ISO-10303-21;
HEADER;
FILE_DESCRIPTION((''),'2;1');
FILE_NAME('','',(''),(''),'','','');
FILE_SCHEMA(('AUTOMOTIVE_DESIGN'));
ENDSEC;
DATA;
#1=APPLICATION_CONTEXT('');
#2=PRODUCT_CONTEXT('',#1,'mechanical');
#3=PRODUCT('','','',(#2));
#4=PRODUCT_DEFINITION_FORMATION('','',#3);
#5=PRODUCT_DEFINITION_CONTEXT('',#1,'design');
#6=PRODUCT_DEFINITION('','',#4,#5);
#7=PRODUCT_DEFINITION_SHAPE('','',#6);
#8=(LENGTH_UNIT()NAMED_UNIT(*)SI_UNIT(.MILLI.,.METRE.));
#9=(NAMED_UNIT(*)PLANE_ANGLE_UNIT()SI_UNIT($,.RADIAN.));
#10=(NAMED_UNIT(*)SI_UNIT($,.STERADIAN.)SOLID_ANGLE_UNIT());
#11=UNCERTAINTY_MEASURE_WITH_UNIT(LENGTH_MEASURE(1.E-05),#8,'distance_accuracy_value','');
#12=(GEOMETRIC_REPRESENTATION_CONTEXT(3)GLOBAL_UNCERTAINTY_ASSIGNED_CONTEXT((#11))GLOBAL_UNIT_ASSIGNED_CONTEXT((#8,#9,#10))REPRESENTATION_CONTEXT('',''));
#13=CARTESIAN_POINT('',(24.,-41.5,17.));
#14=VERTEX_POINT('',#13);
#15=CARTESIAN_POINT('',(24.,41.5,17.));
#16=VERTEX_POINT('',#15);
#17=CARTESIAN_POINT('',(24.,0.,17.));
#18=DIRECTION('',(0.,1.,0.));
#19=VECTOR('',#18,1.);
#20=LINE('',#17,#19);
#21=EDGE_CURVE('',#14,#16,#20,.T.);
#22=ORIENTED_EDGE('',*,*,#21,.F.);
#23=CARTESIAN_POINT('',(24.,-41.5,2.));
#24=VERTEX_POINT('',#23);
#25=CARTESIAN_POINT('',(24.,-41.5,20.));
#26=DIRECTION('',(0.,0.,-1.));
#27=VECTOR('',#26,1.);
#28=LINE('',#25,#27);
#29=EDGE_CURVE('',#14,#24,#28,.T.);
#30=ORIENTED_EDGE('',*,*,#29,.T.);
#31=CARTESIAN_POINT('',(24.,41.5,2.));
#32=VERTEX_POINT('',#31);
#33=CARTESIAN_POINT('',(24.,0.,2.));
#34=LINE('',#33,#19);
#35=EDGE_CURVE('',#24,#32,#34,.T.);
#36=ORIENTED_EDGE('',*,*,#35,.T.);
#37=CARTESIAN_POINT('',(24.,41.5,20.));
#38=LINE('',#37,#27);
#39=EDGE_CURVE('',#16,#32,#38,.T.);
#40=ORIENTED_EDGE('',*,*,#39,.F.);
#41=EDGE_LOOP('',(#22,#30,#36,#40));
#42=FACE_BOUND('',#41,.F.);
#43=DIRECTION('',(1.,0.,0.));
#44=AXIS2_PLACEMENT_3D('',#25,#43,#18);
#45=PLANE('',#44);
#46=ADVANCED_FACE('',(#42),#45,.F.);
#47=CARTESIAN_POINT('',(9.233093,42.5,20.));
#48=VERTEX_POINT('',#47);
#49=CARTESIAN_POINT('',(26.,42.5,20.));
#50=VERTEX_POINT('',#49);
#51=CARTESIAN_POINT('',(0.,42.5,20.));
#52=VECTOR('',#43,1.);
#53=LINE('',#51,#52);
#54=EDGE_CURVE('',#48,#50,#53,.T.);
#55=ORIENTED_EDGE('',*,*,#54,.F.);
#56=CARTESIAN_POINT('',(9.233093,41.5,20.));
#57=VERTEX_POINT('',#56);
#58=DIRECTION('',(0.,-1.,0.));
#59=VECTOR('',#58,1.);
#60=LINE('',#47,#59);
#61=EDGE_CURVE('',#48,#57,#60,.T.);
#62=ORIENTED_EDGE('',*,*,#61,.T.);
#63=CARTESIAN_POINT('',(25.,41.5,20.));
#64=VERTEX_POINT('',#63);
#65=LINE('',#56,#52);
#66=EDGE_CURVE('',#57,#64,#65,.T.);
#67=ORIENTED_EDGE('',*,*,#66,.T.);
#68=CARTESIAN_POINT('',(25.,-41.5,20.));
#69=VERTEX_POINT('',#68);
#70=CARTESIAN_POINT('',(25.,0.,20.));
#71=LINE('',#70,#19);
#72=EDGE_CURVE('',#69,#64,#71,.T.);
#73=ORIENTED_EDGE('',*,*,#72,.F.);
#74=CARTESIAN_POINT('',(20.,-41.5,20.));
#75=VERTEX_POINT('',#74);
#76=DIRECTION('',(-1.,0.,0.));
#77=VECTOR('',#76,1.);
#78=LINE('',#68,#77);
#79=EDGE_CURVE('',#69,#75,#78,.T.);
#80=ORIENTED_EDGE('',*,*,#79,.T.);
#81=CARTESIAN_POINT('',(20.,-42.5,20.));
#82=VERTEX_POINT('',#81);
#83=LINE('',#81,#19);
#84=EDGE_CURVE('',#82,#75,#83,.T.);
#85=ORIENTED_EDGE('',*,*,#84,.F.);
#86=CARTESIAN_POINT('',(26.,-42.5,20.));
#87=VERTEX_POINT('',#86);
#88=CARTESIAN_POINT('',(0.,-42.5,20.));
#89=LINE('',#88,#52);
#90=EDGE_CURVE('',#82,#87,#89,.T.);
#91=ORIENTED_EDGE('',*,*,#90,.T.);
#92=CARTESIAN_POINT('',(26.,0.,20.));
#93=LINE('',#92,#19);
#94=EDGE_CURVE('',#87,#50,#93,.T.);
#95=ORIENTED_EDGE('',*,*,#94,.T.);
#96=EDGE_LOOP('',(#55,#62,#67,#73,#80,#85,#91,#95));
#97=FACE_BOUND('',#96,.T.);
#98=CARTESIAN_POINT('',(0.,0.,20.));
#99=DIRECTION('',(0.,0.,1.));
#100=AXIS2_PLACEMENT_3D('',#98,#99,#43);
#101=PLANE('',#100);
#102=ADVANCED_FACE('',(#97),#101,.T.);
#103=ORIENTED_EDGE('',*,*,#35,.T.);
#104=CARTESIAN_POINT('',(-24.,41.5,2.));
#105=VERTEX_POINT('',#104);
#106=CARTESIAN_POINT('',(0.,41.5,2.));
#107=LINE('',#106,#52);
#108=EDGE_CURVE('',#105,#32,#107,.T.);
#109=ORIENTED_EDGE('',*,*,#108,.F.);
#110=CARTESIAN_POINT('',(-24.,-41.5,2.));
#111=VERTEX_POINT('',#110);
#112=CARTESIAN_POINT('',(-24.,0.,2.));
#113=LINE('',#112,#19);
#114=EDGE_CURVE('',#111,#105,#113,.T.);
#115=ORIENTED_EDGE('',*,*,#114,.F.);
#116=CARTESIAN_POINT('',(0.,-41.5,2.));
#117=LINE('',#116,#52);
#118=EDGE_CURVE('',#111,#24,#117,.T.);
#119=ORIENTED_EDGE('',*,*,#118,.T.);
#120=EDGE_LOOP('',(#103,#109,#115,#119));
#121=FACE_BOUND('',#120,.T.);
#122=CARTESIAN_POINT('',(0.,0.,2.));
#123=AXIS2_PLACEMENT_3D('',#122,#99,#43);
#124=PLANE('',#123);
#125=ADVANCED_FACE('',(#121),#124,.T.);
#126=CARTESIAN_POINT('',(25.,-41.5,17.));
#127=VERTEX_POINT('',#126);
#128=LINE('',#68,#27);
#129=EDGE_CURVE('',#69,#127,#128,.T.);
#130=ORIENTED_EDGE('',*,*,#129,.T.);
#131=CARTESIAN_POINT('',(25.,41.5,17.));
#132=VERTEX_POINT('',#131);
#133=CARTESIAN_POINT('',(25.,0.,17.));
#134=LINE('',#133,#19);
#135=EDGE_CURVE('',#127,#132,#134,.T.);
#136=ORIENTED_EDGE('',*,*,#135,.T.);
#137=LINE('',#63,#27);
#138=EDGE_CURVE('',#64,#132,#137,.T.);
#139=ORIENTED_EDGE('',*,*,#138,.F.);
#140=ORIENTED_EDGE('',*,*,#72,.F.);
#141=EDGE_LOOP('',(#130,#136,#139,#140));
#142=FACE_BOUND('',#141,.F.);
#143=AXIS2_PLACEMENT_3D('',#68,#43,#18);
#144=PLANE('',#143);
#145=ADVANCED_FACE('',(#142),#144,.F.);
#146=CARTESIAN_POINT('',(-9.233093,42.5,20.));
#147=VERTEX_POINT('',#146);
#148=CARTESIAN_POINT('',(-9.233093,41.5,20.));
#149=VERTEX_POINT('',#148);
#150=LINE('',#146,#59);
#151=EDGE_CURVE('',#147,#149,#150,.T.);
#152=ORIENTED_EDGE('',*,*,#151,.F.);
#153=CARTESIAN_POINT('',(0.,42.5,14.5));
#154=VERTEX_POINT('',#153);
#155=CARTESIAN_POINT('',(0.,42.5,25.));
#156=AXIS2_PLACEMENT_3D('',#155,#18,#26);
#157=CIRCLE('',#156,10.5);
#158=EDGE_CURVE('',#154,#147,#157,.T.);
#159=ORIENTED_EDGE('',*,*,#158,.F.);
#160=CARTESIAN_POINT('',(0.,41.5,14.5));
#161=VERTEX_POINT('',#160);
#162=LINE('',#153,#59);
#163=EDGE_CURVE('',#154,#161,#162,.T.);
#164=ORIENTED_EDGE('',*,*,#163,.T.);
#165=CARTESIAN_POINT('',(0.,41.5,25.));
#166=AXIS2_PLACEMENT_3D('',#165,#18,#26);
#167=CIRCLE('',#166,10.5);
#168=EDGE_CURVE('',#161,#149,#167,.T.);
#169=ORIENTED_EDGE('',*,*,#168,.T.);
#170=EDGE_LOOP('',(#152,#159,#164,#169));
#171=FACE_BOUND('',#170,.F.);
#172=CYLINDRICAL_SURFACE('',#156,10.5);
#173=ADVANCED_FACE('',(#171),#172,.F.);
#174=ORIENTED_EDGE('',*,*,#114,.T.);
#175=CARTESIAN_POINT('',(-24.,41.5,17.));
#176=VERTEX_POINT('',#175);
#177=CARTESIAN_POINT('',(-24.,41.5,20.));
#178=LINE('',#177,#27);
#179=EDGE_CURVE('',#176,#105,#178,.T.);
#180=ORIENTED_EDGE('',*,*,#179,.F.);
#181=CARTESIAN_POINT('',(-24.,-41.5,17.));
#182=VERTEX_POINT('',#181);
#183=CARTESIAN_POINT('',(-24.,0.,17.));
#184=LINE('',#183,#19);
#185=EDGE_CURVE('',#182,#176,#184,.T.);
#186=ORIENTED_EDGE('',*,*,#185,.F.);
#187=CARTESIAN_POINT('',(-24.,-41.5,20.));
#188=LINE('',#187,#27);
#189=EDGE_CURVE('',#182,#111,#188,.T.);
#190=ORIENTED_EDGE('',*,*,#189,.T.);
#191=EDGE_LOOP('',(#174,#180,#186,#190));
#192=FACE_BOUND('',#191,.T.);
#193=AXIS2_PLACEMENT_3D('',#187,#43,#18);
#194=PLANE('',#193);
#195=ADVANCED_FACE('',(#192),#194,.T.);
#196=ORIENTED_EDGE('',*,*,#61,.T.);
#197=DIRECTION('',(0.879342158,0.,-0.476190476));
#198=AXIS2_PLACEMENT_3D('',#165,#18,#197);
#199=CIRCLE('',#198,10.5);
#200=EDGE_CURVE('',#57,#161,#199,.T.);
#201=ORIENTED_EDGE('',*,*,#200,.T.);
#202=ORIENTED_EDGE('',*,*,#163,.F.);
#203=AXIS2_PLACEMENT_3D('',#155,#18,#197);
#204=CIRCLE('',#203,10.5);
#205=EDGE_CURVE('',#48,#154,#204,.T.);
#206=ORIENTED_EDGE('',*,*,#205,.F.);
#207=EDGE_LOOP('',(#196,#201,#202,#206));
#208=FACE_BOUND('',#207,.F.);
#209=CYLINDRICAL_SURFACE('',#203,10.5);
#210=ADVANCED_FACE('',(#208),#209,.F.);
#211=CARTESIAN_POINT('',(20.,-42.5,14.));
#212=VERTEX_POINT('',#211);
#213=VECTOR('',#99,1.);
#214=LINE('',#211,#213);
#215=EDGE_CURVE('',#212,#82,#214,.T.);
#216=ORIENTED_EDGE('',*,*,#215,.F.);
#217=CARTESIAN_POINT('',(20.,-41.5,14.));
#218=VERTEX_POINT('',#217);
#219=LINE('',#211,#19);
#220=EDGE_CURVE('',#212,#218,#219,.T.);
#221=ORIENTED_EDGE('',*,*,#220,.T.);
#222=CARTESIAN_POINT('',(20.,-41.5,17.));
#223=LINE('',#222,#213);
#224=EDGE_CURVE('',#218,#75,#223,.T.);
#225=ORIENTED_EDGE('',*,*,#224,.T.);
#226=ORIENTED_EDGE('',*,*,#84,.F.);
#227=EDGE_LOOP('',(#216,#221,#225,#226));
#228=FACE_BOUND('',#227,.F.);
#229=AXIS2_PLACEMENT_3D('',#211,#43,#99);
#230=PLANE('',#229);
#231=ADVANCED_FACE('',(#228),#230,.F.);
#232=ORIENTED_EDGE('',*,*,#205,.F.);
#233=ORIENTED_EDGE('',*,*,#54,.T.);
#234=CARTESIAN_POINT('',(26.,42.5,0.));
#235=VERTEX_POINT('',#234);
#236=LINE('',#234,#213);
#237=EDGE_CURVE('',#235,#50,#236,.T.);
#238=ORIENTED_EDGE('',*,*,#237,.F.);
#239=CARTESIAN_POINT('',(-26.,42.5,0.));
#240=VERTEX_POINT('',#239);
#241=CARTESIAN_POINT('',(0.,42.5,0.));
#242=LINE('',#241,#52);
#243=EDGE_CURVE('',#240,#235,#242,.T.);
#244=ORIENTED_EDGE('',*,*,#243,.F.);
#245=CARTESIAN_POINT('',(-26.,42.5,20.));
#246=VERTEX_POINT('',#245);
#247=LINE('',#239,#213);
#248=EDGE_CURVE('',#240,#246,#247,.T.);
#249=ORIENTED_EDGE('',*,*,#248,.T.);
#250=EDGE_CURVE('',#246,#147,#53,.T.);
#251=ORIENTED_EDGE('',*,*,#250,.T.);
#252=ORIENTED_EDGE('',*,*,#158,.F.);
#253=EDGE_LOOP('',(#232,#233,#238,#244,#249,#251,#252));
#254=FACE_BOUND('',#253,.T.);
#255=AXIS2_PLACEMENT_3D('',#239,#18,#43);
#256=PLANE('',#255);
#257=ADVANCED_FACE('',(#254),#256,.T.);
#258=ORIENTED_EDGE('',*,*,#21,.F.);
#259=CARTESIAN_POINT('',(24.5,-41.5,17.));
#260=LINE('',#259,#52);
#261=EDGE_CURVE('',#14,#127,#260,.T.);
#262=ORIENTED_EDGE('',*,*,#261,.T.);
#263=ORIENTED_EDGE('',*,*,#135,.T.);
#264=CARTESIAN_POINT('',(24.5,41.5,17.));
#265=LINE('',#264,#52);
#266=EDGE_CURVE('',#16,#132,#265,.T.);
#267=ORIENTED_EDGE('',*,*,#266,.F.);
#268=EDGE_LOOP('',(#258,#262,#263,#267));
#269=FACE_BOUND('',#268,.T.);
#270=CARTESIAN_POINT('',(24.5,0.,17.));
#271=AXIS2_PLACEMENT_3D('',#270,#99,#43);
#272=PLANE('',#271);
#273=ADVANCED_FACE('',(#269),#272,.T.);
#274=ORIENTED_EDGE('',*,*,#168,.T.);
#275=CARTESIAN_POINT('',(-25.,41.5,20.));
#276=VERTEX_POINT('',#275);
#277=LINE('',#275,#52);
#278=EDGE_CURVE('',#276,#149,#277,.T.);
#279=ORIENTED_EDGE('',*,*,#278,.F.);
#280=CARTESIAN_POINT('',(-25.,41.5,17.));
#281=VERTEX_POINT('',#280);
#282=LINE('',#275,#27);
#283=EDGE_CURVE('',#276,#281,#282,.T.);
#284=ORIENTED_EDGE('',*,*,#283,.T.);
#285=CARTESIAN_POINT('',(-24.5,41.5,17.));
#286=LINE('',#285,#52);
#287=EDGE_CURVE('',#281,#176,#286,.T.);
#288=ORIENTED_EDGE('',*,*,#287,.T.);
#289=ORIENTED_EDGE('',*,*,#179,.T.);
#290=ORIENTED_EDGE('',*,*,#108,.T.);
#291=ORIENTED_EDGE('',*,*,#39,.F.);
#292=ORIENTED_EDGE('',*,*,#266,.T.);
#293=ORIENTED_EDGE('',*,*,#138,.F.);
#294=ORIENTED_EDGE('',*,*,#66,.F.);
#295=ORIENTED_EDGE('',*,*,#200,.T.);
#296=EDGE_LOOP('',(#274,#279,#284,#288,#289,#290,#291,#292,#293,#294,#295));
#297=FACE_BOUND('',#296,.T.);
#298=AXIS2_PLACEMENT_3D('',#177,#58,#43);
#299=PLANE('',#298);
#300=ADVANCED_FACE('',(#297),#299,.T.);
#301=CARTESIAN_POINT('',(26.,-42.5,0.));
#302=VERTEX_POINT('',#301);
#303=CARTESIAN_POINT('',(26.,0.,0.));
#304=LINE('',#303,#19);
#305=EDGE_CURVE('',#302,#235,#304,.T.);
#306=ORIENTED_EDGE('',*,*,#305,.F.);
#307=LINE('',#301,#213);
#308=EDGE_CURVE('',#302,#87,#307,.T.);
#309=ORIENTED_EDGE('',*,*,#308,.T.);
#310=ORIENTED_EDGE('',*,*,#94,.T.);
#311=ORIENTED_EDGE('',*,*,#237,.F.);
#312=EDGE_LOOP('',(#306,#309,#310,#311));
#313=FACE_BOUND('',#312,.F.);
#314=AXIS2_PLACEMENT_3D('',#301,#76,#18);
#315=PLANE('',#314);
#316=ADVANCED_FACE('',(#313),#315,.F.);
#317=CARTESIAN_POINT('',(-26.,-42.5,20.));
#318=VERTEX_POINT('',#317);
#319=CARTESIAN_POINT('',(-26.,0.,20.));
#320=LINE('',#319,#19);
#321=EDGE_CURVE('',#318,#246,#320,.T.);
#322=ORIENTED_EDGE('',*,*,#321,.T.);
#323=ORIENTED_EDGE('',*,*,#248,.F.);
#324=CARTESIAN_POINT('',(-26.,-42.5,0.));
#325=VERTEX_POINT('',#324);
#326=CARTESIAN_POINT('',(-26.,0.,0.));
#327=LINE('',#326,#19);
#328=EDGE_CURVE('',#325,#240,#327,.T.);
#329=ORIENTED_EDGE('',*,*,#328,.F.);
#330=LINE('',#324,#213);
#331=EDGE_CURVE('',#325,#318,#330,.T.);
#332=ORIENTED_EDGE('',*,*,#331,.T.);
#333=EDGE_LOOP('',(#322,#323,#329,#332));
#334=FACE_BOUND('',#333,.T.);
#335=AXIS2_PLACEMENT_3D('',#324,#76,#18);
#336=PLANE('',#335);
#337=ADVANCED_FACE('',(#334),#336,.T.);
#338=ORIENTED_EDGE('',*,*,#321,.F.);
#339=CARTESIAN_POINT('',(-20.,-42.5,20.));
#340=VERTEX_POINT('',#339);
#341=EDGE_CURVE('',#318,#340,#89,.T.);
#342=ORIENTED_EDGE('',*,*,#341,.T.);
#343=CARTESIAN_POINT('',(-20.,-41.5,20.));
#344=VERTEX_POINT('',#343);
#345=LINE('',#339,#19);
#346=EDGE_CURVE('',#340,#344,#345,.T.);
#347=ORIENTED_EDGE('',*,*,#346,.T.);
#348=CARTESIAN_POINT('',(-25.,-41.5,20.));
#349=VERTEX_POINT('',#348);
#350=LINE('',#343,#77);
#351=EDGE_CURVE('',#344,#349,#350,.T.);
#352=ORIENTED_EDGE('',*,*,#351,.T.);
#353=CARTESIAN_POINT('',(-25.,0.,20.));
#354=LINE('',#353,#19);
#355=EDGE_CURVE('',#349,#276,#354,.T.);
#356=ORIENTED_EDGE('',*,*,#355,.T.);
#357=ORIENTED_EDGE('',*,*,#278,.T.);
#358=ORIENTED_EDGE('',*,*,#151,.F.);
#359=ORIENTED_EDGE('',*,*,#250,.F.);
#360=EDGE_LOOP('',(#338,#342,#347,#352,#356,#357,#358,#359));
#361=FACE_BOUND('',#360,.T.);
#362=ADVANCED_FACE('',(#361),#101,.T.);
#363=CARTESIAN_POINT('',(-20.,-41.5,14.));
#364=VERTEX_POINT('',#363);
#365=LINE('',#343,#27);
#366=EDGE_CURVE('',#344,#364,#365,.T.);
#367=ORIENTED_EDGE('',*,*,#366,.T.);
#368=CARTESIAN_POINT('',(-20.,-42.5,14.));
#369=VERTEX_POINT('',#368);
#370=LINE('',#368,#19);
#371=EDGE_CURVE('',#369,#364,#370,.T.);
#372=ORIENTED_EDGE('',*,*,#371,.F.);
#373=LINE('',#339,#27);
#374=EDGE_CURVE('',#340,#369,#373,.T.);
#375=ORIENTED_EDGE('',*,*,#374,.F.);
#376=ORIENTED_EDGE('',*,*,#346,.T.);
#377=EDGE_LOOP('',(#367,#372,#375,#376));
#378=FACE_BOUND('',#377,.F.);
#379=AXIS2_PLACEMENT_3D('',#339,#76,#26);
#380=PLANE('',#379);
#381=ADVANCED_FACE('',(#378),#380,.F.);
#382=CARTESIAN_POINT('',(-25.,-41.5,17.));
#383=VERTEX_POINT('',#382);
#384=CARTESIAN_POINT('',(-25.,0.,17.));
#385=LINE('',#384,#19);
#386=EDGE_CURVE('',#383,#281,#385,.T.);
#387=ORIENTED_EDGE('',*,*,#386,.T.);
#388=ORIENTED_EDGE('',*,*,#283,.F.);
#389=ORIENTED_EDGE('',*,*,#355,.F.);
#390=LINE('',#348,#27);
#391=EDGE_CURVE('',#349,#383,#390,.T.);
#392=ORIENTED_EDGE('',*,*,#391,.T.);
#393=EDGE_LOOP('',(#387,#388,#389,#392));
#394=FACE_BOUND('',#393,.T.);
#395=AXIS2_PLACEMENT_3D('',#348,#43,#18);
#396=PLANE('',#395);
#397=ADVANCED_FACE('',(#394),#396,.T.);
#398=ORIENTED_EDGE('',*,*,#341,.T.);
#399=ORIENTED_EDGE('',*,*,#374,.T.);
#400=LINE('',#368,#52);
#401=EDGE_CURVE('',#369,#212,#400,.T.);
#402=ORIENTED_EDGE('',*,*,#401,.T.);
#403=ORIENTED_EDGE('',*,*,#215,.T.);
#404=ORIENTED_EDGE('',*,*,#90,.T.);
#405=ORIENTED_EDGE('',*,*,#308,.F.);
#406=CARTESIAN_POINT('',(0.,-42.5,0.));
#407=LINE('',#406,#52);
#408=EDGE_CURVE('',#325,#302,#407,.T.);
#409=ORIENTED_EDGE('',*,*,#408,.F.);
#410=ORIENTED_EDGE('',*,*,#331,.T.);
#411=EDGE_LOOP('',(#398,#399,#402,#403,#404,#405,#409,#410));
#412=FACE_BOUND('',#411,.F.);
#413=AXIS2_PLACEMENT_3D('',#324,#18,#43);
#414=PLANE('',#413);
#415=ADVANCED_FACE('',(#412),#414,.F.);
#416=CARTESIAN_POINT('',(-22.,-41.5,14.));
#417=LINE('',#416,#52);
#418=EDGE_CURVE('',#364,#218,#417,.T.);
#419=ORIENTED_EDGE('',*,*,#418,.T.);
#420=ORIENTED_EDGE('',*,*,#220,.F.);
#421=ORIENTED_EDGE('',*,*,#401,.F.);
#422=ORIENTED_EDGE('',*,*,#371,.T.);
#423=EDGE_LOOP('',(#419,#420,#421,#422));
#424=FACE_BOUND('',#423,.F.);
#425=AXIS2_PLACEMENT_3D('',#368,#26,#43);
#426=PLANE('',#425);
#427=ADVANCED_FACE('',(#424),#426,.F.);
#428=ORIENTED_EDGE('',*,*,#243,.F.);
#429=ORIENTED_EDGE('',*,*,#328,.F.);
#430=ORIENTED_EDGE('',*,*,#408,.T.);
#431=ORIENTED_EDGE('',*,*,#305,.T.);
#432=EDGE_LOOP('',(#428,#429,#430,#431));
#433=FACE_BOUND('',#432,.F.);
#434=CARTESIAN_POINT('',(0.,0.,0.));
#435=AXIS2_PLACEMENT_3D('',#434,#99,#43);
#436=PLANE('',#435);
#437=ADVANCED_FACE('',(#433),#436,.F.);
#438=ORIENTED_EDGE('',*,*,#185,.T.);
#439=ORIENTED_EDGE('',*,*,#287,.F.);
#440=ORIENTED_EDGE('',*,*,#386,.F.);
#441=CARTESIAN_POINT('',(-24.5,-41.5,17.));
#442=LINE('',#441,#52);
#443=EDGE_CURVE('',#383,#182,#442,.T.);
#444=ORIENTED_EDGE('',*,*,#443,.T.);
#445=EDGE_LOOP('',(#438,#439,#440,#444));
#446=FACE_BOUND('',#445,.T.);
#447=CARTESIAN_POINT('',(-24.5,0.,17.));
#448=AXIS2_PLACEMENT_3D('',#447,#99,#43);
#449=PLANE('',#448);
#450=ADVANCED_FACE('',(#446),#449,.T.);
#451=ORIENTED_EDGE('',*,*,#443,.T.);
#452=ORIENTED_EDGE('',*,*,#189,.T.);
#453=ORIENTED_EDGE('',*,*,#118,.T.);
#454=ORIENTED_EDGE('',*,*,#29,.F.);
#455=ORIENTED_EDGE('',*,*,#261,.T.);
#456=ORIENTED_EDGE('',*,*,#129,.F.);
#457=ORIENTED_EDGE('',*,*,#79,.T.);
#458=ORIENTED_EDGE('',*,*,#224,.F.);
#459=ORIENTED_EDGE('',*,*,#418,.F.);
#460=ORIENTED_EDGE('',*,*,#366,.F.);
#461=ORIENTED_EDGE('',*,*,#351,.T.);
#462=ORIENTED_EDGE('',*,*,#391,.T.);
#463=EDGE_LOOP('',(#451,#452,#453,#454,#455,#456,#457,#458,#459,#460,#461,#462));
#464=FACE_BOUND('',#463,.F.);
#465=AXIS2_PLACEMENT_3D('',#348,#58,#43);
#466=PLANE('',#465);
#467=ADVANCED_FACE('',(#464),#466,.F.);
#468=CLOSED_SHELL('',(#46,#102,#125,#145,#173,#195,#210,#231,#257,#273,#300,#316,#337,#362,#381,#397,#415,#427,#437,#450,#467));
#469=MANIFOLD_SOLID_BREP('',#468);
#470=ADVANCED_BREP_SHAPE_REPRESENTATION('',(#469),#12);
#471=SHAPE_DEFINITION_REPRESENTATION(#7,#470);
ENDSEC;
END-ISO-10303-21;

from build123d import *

# Parameters (mm, degrees)
F0_W      = 52
F0_H      = 85
F1_DEPTH  = 20
F2_W      = 48
F2_H      = 83
F3_DEPTH  = 18
F5_DEPTH  = 5
F7_DEPTH  = 5
F8_W      = 1
F8_H      = 83
F9_DEPTH  = 3
F10_W     = 1
F10_H     = 83
F11_DEPTH = 3


with BuildPart() as f1:
    # F0 (on Top) → F1 (new body)
    with BuildSketch(Plane.XY):
        Rectangle(F0_W, F0_H)
    extrude(amount=F1_DEPTH)

    # F2 (on face) → F3 (cut)
    with BuildSketch(Plane.XY.offset(20)):
        Rectangle(F2_W, F2_H)
    extrude(amount=-F3_DEPTH, mode=Mode.SUBTRACT)

    # F4 (on face) → F5 (cut)
    with BuildSketch(Plane.XZ.offset(42.5)):
        Polygon((-20, 14), (0, 14), (20, 14), (20, 20), (-20, 20), align=None)
    extrude(amount=-F5_DEPTH, mode=Mode.SUBTRACT)

    # F6 (on face) → F7 (cut)
    with BuildSketch(Plane(origin=(0, 42.5, 0), x_dir=(-1, 0, 0), z_dir=(0, 1, 0))):
        with BuildLine():
            ThreePointArc((-9.2330926563, 20), (-5.3735463151, 15.9791907237), (0, 14.5))
            Line((0, 14.5), (0, 20))
            Line((0, 20), (-9.2330926563, 20))
        make_face()
        with BuildLine():
            Line((0, 20), (0, 14.5))
            ThreePointArc((0, 14.5), (5.3735463151, 15.9791907237), (9.2330926563, 20))
            Line((9.2330926563, 20), (0, 20))
        make_face()
    extrude(amount=-F7_DEPTH, mode=Mode.SUBTRACT)

    # F8 (on face) → F9 (cut)
    with BuildSketch(Plane.XY.offset(20)):
        with Locations((24.5, 0)):
            Rectangle(F8_W, F8_H)
    extrude(amount=-F9_DEPTH, mode=Mode.SUBTRACT)

    # F10 (on face) → F11 (cut)
    with BuildSketch(Plane.XY.offset(20)):
        with Locations((-24.5, 0)):
            Rectangle(F10_W, F10_H)
    extrude(amount=-F11_DEPTH, mode=Mode.SUBTRACT)


solid = f1.part
